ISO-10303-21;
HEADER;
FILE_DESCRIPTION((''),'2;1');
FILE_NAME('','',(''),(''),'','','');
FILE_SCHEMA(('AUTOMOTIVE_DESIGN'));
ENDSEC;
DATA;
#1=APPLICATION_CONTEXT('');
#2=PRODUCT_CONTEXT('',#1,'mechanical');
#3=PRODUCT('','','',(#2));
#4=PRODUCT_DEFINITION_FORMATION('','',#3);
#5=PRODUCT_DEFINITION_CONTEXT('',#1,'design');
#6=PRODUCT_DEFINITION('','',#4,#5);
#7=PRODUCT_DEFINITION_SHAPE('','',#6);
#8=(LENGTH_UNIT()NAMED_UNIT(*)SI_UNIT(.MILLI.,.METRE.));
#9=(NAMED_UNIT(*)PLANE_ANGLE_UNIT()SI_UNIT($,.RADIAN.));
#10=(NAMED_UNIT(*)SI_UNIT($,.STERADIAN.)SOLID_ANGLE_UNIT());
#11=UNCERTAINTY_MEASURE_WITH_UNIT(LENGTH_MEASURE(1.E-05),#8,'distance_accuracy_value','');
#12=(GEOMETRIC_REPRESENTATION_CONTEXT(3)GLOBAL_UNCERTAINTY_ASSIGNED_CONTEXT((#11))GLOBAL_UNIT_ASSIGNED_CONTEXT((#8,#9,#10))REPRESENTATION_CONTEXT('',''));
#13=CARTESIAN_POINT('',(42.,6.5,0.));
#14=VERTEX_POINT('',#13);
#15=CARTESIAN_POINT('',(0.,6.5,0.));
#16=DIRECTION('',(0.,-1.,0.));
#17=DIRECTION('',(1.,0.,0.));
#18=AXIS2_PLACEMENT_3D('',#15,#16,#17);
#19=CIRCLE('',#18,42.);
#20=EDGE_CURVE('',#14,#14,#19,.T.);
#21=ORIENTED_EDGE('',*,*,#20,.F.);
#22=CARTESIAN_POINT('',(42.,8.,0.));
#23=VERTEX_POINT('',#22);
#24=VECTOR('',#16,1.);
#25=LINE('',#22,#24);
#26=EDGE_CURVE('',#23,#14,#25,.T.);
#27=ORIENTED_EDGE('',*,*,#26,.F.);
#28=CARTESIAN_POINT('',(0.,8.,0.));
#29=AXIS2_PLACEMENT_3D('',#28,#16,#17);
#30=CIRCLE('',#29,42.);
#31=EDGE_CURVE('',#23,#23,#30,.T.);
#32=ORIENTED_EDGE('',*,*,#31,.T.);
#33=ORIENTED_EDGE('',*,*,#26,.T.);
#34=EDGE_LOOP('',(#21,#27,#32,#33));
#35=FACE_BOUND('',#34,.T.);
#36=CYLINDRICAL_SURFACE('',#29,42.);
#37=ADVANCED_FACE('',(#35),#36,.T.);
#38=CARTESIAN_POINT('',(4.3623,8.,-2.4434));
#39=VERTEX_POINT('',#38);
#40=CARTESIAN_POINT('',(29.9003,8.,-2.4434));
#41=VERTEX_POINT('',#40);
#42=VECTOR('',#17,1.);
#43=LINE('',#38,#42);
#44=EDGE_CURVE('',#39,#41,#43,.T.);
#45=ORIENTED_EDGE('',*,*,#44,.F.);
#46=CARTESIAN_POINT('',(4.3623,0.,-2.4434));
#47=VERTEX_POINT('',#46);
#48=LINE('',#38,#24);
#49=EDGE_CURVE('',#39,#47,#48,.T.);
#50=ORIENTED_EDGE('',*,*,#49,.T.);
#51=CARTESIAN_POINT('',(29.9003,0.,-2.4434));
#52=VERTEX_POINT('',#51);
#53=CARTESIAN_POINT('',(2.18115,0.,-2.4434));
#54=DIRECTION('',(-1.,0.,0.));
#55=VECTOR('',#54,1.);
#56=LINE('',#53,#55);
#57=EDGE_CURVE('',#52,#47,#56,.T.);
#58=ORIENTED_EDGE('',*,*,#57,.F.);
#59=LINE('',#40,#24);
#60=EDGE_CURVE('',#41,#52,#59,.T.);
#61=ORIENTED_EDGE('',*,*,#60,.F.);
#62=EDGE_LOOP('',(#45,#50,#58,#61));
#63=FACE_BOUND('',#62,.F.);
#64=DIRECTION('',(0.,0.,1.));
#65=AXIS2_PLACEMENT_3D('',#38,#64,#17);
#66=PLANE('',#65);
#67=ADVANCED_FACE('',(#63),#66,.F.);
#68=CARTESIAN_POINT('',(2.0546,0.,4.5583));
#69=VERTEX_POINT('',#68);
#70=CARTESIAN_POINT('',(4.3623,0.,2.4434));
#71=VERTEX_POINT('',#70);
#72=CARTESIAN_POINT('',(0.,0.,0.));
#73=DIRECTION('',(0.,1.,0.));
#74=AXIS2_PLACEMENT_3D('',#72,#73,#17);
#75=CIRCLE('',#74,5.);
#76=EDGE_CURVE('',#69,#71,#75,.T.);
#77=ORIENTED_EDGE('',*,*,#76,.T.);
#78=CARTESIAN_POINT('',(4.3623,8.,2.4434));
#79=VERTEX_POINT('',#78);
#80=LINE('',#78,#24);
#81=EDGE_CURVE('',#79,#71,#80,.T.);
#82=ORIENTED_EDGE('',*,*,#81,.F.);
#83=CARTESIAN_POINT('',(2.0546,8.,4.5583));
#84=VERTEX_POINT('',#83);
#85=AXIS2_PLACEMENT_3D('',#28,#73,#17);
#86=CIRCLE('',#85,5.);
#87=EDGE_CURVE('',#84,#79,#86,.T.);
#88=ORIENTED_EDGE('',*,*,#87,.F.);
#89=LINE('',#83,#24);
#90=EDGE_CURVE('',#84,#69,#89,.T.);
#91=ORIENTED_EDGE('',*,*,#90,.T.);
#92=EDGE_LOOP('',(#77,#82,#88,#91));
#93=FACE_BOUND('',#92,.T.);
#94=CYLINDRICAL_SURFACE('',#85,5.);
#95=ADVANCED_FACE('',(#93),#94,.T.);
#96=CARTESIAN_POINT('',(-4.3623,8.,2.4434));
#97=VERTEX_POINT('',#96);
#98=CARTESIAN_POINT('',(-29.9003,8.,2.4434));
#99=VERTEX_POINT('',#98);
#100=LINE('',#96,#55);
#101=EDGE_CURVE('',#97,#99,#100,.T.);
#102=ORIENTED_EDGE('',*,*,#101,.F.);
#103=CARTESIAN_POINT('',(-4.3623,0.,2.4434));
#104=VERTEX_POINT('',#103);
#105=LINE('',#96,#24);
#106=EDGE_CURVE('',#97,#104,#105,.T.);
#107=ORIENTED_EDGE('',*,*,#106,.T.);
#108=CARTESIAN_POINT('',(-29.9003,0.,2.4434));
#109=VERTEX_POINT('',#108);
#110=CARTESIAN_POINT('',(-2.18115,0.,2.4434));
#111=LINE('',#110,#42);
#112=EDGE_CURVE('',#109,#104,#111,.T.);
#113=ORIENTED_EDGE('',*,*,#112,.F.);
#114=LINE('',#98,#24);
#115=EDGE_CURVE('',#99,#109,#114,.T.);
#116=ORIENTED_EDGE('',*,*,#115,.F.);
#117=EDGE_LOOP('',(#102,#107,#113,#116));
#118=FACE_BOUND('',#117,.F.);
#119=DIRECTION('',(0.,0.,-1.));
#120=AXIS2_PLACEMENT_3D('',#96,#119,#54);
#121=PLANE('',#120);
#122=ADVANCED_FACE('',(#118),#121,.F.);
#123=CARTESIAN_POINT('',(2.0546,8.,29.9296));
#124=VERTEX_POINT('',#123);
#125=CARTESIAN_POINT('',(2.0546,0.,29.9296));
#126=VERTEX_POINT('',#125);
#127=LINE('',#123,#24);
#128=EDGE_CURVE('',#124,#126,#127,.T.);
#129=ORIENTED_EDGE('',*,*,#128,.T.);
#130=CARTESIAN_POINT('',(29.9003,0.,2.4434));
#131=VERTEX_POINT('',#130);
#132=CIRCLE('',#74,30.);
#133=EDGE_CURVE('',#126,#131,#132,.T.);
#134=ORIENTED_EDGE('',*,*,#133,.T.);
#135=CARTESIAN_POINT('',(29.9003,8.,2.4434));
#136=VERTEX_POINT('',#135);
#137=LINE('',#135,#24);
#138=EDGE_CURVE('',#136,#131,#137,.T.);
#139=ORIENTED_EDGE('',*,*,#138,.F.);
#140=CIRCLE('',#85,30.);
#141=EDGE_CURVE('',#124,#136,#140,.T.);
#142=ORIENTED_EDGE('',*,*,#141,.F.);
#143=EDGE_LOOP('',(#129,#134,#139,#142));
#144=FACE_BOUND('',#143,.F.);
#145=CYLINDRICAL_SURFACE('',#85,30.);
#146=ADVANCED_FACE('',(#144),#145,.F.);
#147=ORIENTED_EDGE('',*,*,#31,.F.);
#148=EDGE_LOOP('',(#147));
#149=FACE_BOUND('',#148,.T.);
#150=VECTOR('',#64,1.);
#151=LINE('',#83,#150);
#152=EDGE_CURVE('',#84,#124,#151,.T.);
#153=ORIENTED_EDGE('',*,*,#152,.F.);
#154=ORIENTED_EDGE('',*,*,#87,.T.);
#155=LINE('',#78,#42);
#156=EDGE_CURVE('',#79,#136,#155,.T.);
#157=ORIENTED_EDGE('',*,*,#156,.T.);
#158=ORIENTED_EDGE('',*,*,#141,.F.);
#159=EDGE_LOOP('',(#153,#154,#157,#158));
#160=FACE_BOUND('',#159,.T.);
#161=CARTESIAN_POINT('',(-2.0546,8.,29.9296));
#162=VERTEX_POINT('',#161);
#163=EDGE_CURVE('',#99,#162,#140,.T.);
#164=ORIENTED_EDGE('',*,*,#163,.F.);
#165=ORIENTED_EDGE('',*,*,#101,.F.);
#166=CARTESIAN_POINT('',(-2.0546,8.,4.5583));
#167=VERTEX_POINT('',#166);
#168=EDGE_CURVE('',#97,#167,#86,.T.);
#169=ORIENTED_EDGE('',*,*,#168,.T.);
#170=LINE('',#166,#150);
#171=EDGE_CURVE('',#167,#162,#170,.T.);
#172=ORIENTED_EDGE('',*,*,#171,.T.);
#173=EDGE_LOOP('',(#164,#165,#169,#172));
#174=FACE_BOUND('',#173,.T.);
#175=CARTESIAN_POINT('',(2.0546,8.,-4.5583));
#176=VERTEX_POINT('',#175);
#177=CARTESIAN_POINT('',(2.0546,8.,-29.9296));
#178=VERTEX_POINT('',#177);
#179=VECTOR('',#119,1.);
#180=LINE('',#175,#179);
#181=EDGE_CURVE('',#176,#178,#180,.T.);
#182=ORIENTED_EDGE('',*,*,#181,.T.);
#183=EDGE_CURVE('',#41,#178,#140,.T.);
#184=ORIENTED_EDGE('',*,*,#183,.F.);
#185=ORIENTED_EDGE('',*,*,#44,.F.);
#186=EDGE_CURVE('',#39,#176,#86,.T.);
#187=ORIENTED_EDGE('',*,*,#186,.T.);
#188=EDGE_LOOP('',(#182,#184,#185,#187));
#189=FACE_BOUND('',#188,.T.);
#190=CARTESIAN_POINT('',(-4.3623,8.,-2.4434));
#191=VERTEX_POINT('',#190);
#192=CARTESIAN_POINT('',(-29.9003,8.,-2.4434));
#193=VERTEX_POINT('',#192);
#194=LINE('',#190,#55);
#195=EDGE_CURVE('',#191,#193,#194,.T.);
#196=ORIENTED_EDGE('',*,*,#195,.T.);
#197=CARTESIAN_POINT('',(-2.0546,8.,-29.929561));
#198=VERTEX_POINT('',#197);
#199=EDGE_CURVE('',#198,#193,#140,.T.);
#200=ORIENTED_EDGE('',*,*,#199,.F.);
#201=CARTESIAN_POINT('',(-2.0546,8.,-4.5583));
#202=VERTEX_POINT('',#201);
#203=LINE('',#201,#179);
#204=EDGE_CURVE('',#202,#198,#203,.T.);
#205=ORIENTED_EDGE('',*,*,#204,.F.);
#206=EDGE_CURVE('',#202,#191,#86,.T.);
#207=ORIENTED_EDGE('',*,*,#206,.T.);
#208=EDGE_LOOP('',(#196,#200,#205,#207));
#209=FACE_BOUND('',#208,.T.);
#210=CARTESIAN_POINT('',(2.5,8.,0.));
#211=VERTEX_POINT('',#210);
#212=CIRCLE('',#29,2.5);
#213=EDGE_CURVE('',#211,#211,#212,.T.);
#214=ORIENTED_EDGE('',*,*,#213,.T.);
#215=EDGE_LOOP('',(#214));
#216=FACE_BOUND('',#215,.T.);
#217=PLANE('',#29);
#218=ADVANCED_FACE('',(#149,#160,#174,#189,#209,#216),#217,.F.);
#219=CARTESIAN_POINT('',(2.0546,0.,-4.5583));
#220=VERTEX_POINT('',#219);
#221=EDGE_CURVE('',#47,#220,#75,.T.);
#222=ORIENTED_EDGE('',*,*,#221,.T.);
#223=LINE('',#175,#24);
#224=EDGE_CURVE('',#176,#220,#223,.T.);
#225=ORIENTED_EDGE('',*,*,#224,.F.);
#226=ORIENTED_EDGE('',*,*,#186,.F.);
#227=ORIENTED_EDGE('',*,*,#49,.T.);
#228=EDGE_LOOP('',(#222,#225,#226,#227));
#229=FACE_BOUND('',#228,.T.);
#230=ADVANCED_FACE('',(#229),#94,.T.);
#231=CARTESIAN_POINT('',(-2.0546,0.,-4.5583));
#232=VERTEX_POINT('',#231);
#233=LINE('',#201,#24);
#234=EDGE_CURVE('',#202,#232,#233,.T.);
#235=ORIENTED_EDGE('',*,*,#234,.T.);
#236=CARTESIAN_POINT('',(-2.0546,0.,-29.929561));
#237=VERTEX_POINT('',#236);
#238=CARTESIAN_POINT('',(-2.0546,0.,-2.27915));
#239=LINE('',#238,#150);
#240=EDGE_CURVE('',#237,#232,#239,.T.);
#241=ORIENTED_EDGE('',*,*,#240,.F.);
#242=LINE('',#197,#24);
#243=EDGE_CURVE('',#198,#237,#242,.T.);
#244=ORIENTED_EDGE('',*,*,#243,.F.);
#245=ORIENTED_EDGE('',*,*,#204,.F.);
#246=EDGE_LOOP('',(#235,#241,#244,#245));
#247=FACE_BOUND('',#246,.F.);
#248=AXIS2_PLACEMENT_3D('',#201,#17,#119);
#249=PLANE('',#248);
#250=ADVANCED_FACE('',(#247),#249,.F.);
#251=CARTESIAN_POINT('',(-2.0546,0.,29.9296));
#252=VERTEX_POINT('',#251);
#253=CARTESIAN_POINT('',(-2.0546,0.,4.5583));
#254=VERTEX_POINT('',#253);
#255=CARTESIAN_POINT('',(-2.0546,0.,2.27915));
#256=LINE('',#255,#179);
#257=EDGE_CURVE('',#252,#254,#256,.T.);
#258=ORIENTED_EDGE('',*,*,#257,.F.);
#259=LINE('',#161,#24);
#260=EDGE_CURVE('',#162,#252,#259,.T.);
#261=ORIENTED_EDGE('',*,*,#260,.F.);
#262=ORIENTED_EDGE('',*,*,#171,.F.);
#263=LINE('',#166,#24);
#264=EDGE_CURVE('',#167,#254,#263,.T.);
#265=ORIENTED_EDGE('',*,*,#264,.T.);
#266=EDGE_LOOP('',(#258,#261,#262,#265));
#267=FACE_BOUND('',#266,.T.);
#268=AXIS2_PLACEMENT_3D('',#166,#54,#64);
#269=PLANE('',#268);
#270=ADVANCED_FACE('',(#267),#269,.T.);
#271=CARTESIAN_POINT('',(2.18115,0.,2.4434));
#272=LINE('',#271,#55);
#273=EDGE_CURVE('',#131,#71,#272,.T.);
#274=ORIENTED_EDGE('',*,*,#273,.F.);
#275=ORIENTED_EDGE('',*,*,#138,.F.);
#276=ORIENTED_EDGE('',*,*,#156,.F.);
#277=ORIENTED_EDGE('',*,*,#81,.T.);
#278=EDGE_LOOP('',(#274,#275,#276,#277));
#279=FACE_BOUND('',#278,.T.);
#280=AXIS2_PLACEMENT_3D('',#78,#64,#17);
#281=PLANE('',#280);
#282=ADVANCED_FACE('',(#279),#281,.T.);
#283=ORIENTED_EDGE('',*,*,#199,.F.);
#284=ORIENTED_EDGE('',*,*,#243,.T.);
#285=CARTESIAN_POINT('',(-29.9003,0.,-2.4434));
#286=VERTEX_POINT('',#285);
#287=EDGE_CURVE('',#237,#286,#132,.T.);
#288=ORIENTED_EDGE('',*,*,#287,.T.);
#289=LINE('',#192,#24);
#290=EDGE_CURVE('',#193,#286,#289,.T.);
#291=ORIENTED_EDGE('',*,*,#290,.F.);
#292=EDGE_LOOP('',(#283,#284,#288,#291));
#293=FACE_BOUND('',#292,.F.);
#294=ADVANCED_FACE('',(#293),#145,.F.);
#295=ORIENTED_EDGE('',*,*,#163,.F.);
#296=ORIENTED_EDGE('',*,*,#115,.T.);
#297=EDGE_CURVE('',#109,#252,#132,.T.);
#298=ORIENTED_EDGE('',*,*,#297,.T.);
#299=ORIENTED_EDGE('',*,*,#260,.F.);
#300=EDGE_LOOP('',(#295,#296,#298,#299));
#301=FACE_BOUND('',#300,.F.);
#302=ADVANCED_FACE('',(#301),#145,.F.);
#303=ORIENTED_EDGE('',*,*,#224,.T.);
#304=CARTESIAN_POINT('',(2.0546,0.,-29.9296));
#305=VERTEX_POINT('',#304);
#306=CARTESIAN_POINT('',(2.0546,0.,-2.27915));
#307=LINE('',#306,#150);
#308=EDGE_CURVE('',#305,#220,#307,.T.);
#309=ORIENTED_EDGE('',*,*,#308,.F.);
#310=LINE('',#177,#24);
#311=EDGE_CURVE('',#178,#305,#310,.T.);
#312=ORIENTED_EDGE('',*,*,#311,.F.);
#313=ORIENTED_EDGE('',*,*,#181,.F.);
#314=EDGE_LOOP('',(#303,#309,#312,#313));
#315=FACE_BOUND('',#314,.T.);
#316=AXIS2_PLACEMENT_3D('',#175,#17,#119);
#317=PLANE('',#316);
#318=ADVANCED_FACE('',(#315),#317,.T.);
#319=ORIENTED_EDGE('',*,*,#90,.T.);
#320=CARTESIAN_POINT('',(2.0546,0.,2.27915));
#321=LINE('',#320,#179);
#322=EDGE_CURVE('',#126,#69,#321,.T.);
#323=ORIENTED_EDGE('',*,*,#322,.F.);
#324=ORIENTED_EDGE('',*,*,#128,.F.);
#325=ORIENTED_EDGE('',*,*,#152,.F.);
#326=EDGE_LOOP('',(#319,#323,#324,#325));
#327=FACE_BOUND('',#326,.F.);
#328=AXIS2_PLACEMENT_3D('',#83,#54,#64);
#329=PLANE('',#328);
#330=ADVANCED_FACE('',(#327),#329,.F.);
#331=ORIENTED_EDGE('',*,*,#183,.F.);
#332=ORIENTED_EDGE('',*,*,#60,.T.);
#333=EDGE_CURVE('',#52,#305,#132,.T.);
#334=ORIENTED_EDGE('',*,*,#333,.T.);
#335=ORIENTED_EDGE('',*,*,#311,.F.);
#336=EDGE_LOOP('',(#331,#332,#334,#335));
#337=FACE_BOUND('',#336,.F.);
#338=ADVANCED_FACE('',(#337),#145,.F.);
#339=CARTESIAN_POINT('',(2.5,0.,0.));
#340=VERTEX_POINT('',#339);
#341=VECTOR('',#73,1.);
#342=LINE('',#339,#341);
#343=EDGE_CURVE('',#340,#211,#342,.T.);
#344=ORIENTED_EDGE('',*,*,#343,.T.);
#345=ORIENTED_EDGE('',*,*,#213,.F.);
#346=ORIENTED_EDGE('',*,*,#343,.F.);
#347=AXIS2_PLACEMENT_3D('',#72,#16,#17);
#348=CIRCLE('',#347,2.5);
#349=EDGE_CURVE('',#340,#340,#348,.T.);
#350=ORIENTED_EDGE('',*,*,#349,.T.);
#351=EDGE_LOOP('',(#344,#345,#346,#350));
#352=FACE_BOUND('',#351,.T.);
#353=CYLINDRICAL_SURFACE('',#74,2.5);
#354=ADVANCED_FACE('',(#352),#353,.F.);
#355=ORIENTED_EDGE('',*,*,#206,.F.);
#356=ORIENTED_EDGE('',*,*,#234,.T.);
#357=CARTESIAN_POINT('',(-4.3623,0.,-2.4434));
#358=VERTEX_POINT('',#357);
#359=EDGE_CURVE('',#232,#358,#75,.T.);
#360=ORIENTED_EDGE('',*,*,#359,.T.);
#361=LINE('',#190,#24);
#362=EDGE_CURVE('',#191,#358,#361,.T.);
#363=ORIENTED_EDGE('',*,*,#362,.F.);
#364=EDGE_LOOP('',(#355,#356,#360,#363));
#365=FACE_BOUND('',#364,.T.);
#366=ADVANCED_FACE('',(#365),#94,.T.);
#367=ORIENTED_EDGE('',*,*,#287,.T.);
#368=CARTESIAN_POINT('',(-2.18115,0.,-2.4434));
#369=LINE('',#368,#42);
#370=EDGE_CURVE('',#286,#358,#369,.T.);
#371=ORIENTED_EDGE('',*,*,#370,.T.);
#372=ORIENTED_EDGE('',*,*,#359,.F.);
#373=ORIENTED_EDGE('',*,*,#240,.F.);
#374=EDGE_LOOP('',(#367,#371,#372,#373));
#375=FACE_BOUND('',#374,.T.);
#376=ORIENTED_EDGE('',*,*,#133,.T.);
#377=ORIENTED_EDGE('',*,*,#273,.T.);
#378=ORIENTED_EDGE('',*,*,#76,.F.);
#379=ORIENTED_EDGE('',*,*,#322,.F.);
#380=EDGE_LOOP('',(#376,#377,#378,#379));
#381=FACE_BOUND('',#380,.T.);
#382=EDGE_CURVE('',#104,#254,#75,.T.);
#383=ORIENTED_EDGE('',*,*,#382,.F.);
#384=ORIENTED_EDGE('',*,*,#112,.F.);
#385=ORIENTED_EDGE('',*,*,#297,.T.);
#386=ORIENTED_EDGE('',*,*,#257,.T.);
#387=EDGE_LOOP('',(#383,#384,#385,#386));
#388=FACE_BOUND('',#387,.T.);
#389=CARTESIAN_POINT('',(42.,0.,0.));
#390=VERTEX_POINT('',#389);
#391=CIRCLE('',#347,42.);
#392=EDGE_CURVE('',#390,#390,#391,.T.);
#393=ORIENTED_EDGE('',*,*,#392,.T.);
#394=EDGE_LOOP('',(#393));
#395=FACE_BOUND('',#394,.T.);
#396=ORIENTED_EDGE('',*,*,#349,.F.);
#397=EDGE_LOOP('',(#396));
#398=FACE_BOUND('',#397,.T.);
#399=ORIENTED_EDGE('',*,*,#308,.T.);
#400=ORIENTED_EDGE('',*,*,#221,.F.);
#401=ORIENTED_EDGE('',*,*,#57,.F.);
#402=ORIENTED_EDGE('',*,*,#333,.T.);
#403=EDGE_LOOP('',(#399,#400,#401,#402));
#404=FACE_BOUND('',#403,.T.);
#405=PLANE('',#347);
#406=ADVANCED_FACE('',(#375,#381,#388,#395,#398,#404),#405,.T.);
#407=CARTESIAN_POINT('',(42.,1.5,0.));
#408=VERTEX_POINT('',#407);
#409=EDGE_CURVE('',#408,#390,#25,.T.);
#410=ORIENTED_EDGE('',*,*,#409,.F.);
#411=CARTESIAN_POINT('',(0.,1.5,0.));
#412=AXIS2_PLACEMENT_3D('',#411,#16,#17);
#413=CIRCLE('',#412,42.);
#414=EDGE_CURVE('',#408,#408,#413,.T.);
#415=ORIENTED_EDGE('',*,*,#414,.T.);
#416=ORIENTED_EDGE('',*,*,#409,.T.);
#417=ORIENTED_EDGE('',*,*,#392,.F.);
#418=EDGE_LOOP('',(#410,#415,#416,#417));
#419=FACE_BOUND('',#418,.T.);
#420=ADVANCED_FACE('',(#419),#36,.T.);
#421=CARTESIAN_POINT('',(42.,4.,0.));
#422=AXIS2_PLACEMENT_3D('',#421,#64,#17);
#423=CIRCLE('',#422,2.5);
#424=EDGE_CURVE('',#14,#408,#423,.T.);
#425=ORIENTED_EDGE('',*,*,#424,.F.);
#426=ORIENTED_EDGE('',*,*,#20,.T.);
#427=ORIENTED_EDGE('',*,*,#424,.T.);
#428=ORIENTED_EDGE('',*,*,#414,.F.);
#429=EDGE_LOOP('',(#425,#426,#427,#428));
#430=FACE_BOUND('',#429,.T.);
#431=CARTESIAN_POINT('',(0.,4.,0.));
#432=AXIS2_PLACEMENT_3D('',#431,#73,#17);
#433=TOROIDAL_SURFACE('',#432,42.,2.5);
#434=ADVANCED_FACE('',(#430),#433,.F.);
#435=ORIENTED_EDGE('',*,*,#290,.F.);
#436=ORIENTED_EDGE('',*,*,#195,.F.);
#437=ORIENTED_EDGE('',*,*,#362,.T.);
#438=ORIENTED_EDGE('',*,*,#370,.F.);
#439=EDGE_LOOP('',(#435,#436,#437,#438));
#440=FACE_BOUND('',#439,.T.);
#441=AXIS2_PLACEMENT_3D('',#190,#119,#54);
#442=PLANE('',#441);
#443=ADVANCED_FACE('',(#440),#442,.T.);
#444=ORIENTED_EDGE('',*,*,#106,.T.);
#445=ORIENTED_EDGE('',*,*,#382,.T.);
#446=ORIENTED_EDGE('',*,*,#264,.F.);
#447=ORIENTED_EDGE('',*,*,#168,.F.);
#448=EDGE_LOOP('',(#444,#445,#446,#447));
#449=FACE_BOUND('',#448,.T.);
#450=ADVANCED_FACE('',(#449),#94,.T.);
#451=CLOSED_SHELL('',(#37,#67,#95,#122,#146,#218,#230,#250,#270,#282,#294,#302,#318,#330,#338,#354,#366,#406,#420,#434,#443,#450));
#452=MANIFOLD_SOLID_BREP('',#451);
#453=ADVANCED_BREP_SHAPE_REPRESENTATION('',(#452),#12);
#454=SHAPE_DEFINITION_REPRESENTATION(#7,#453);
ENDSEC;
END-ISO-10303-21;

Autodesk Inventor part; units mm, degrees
ref_plane "YZ Plane" through (0, 0, 0) normal (1, 0, 0) x (0, 1, 0)
ref_plane "XZ Plane" through (0, 0, 0) normal (0, 1, 0) x (-1, 0, 0)
ref_plane "XY Plane" through (0, 0, 0) normal (0, 0, 1) x (1, 0, 0)
sketch "Sketch1" plane through (0, 0, 0) normal (0, 0, 1) x (1, 0, 0)
  line L0 (0, 0) -> (2.5, 0)
  line L1 (2.5, 0) -> (2.5, 8)
  line L2 (2.5, 8) -> (0, 8)
  line L3 (0, 8) -> (0, 0)
  line L4 (2.5, 8) -> (42, 8)
  line L5 (42, 8) -> (42, 0)
  line L6 (42, 0) -> (2.5, 0)
  line L7 (2.5, 0) -> (2.5, 8)
  circle A0 centre (42, 4) radius 2.5
  point P0 (42, 1.5)
  point P1 (42, 6.5)
  dimension "d0" = 8
  dimension "d1" = 2.5
  dimension "d2" = 39.5
  dimension "d3" = 5
revolve "Revolution1" add sketch "Sketch1" angle 360 about axis through (0, 8, 0) along (0, -1, 0) contours L1 L4 L5 A0 L6
sketch "Sketch2" plane through (0, 8, 0) normal (0, 1, 0) x (1, 0, 0)
  circle A0 centre (0, 0) radius 2.5 projected
  circle A1 centre (0, 0) radius 30
  circle A2 centre (0, 0) radius 5
  line L0 (-4.3623, -2.4434) -> (-29.9003, -2.4434)
  line L1 (-4.3623, 2.4434) -> (-29.9003, 2.4434)
  line L2 (4.3623, 2.4434) -> (29.9003, 2.4434)
  line L3 (4.3623, -2.4434) -> (29.9003, -2.4434)
  line L4 (2.0546, -4.5583) -> (2.0546, -29.9296)
  line L5 (-2.0546, -4.5583) -> (-2.0546, -29.9296)
  line L6 (-2.0546, 4.5583) -> (-2.0546, 60.5512)
  line L7 (2.0546, 4.5583) -> (2.0546, 29.9296)
  point P0 (-2.0546, 29.9296)
  dimension "d5" = 60
  dimension "d6" = 10
extrude "Extrusion1" cut sketch "Sketch2" against normal blind 25 contours L2 A2 L7 A1 | A1 L4 A2 L3 | L6 A2 L1 A1 | A1 L0 A2 L5
properties part number "Roue_pami_V3"
